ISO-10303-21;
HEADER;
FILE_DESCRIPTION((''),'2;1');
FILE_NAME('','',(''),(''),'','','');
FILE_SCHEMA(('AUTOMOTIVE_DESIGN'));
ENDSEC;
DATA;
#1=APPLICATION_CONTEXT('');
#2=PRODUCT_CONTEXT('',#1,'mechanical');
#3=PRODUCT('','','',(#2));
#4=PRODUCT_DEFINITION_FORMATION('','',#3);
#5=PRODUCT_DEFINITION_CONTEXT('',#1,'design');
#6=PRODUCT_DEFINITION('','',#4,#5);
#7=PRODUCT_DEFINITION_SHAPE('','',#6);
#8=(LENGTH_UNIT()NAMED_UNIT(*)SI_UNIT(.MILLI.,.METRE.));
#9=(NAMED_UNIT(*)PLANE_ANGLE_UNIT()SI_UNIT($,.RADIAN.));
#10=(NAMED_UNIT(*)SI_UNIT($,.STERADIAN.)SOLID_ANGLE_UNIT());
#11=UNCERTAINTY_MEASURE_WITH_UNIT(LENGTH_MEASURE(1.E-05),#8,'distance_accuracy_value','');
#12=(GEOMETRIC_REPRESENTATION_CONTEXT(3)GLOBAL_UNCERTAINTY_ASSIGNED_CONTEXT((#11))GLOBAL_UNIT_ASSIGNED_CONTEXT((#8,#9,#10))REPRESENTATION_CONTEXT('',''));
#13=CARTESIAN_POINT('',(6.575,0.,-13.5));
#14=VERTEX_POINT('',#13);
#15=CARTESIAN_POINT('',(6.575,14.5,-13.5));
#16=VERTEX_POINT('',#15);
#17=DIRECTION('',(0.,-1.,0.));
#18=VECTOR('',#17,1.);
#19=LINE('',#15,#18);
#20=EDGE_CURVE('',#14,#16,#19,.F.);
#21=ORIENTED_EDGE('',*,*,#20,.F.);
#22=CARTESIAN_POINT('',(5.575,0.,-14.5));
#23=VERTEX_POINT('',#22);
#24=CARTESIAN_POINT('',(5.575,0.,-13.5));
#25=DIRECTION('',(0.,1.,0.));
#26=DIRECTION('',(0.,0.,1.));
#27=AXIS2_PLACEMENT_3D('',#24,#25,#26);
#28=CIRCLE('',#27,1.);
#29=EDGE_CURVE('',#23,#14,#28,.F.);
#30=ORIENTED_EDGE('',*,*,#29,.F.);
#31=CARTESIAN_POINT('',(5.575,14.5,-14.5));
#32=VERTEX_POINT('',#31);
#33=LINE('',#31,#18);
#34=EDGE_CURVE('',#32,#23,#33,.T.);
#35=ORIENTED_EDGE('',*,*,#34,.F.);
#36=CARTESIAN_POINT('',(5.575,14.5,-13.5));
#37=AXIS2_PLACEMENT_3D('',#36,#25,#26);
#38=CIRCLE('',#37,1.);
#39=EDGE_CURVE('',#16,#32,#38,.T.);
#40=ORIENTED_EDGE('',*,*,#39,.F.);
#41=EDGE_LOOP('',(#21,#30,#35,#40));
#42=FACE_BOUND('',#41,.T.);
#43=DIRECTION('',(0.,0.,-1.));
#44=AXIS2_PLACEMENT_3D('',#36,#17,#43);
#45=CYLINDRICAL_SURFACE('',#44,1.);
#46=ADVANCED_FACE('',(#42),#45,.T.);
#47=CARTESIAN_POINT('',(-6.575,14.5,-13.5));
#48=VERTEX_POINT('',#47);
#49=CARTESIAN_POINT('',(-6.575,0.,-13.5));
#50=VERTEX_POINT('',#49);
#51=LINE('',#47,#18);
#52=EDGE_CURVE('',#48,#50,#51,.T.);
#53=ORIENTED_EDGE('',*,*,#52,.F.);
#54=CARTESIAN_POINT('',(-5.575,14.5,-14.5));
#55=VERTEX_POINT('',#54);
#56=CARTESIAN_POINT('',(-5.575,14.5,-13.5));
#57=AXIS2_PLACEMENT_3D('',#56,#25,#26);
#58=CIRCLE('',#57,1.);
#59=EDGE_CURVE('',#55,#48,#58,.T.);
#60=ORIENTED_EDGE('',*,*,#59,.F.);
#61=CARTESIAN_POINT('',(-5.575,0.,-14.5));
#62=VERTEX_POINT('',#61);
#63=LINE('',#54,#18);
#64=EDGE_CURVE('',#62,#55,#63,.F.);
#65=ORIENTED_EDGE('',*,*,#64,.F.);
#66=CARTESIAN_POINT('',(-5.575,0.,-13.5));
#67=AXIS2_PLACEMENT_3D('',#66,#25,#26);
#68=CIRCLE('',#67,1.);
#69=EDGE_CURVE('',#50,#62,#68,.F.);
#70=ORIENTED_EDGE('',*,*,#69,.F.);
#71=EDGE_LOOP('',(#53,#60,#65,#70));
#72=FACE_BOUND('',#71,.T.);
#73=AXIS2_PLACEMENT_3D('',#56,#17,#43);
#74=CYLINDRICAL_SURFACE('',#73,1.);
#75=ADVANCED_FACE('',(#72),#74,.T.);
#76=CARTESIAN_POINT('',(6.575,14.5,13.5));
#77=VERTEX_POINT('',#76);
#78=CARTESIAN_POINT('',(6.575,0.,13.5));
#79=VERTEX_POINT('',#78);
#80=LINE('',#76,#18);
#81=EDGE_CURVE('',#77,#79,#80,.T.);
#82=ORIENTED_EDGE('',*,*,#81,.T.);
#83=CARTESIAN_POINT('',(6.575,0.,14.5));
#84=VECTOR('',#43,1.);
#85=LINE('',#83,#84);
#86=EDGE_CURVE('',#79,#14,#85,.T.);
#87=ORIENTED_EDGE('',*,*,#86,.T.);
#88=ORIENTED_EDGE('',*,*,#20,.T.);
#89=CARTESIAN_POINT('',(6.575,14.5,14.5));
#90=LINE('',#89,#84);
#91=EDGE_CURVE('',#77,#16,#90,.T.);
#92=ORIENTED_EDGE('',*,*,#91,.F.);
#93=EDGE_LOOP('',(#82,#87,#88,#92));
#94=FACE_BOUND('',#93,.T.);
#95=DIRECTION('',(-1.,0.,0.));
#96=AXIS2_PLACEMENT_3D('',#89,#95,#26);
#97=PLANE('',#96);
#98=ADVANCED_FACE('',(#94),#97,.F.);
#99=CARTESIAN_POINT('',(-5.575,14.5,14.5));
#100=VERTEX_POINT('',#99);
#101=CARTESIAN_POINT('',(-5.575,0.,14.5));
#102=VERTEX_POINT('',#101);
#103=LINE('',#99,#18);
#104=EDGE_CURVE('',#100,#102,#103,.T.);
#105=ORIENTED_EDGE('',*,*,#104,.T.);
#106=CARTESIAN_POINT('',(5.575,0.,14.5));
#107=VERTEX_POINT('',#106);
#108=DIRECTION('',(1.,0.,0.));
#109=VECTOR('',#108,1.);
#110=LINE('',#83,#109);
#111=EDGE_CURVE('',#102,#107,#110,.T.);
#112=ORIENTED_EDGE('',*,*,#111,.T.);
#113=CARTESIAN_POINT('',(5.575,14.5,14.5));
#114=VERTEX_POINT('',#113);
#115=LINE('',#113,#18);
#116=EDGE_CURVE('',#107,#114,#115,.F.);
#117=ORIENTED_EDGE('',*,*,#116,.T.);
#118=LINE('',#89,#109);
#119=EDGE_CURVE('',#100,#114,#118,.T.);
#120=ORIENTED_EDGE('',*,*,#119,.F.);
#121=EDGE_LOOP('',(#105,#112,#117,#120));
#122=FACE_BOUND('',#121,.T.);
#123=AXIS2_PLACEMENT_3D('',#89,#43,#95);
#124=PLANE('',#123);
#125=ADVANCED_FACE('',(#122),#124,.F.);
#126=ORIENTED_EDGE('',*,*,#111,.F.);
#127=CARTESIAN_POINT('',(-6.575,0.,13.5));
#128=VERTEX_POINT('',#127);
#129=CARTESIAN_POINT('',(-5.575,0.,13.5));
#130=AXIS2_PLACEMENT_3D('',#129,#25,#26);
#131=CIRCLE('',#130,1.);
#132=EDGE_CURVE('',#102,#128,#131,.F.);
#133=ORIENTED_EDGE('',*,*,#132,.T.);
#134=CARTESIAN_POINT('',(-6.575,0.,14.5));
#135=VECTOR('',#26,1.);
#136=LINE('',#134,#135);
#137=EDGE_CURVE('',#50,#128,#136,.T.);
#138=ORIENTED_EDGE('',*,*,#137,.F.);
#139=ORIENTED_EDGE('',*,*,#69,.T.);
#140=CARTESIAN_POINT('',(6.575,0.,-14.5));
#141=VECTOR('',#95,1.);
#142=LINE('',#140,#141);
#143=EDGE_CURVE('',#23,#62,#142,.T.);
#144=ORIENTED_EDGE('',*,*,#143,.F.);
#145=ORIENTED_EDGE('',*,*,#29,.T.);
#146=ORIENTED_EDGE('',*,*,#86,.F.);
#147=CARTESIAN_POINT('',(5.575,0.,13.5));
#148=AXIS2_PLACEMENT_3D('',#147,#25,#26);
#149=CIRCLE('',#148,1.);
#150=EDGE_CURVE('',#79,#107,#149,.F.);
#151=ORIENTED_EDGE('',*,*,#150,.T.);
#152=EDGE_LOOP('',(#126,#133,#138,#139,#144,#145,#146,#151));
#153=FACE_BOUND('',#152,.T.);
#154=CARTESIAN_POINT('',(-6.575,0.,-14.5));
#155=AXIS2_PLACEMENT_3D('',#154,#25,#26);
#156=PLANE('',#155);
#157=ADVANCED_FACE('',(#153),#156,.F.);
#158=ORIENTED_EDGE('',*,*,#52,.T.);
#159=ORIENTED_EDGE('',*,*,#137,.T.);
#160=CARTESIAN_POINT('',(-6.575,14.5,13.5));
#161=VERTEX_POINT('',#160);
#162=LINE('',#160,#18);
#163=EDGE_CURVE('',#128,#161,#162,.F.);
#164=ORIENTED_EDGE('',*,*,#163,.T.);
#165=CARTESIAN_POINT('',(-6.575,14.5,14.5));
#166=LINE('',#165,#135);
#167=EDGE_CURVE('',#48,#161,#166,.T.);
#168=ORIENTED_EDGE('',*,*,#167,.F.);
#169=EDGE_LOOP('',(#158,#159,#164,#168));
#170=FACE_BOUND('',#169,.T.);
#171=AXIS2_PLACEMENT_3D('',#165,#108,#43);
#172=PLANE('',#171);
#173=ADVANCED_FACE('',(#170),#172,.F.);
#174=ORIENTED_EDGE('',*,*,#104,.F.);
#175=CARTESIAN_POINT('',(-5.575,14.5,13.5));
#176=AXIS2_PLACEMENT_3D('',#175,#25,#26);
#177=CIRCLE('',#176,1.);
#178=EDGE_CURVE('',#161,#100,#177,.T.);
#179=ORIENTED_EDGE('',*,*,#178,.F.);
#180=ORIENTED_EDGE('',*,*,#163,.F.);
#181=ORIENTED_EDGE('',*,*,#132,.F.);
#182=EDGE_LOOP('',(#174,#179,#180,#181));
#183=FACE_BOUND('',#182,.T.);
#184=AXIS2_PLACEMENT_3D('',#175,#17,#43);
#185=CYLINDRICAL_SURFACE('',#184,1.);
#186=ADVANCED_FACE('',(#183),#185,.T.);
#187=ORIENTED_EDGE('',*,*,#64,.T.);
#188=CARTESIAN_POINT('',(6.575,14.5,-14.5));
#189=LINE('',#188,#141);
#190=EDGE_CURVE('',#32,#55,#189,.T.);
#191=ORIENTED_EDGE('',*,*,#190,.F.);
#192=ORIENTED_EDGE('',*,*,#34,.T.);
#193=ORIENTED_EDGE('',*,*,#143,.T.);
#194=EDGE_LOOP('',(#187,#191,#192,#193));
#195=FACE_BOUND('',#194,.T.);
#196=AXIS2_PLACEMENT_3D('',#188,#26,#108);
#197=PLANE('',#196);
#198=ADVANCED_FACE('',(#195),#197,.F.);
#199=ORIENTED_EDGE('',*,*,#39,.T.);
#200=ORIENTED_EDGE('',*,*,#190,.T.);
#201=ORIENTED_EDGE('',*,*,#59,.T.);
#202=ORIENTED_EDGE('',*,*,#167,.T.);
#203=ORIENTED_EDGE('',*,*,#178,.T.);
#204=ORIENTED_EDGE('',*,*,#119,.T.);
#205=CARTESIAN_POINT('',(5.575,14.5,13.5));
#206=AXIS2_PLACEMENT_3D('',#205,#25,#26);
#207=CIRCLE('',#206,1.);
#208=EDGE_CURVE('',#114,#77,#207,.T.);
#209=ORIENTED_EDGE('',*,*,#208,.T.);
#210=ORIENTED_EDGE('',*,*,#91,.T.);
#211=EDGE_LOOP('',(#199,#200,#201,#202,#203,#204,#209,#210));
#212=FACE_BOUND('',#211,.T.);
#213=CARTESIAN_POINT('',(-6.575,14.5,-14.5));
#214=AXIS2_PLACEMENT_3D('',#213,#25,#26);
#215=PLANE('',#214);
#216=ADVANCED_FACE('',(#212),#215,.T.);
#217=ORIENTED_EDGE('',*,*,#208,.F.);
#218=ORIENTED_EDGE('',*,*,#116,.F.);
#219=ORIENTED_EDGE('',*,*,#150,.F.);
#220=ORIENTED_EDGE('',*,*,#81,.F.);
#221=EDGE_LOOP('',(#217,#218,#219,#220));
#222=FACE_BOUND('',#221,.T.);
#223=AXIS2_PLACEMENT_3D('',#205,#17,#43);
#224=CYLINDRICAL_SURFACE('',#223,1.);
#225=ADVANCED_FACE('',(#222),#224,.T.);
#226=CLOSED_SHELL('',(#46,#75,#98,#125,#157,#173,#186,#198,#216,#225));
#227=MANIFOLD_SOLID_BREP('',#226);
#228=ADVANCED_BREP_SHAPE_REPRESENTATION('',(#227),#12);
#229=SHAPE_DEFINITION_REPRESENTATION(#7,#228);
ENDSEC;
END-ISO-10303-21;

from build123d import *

# Parameters (mm, degrees)
SKETCH1_W           = 13.15
SKETCH1_H           = 29
BOSS_EXTRUDE1_DEPTH = 14.5
FILLET1_R           = 1


with BuildPart() as part:
    # Sketch1 → Boss-Extrude1 (new body)
    with BuildSketch(Plane(origin=(0, 0, 0), x_dir=(1, 0, 0), z_dir=(0, 1, 0))):
        Rectangle(SKETCH1_W, SKETCH1_H)
    extrude(amount=BOSS_EXTRUDE1_DEPTH)

    # Fillet1
    fillet1_edges = [part.edges().sort_by_distance(p)[0] for p in [
        (-6.575, 7.25, -14.5),
        (6.575, 7.25, -14.5),
        (6.575, 7.25, 14.5),
        (-6.575, 7.25, 14.5),
    ]]
    fillet(fillet1_edges, radius=FILLET1_R)


solid = part.part
